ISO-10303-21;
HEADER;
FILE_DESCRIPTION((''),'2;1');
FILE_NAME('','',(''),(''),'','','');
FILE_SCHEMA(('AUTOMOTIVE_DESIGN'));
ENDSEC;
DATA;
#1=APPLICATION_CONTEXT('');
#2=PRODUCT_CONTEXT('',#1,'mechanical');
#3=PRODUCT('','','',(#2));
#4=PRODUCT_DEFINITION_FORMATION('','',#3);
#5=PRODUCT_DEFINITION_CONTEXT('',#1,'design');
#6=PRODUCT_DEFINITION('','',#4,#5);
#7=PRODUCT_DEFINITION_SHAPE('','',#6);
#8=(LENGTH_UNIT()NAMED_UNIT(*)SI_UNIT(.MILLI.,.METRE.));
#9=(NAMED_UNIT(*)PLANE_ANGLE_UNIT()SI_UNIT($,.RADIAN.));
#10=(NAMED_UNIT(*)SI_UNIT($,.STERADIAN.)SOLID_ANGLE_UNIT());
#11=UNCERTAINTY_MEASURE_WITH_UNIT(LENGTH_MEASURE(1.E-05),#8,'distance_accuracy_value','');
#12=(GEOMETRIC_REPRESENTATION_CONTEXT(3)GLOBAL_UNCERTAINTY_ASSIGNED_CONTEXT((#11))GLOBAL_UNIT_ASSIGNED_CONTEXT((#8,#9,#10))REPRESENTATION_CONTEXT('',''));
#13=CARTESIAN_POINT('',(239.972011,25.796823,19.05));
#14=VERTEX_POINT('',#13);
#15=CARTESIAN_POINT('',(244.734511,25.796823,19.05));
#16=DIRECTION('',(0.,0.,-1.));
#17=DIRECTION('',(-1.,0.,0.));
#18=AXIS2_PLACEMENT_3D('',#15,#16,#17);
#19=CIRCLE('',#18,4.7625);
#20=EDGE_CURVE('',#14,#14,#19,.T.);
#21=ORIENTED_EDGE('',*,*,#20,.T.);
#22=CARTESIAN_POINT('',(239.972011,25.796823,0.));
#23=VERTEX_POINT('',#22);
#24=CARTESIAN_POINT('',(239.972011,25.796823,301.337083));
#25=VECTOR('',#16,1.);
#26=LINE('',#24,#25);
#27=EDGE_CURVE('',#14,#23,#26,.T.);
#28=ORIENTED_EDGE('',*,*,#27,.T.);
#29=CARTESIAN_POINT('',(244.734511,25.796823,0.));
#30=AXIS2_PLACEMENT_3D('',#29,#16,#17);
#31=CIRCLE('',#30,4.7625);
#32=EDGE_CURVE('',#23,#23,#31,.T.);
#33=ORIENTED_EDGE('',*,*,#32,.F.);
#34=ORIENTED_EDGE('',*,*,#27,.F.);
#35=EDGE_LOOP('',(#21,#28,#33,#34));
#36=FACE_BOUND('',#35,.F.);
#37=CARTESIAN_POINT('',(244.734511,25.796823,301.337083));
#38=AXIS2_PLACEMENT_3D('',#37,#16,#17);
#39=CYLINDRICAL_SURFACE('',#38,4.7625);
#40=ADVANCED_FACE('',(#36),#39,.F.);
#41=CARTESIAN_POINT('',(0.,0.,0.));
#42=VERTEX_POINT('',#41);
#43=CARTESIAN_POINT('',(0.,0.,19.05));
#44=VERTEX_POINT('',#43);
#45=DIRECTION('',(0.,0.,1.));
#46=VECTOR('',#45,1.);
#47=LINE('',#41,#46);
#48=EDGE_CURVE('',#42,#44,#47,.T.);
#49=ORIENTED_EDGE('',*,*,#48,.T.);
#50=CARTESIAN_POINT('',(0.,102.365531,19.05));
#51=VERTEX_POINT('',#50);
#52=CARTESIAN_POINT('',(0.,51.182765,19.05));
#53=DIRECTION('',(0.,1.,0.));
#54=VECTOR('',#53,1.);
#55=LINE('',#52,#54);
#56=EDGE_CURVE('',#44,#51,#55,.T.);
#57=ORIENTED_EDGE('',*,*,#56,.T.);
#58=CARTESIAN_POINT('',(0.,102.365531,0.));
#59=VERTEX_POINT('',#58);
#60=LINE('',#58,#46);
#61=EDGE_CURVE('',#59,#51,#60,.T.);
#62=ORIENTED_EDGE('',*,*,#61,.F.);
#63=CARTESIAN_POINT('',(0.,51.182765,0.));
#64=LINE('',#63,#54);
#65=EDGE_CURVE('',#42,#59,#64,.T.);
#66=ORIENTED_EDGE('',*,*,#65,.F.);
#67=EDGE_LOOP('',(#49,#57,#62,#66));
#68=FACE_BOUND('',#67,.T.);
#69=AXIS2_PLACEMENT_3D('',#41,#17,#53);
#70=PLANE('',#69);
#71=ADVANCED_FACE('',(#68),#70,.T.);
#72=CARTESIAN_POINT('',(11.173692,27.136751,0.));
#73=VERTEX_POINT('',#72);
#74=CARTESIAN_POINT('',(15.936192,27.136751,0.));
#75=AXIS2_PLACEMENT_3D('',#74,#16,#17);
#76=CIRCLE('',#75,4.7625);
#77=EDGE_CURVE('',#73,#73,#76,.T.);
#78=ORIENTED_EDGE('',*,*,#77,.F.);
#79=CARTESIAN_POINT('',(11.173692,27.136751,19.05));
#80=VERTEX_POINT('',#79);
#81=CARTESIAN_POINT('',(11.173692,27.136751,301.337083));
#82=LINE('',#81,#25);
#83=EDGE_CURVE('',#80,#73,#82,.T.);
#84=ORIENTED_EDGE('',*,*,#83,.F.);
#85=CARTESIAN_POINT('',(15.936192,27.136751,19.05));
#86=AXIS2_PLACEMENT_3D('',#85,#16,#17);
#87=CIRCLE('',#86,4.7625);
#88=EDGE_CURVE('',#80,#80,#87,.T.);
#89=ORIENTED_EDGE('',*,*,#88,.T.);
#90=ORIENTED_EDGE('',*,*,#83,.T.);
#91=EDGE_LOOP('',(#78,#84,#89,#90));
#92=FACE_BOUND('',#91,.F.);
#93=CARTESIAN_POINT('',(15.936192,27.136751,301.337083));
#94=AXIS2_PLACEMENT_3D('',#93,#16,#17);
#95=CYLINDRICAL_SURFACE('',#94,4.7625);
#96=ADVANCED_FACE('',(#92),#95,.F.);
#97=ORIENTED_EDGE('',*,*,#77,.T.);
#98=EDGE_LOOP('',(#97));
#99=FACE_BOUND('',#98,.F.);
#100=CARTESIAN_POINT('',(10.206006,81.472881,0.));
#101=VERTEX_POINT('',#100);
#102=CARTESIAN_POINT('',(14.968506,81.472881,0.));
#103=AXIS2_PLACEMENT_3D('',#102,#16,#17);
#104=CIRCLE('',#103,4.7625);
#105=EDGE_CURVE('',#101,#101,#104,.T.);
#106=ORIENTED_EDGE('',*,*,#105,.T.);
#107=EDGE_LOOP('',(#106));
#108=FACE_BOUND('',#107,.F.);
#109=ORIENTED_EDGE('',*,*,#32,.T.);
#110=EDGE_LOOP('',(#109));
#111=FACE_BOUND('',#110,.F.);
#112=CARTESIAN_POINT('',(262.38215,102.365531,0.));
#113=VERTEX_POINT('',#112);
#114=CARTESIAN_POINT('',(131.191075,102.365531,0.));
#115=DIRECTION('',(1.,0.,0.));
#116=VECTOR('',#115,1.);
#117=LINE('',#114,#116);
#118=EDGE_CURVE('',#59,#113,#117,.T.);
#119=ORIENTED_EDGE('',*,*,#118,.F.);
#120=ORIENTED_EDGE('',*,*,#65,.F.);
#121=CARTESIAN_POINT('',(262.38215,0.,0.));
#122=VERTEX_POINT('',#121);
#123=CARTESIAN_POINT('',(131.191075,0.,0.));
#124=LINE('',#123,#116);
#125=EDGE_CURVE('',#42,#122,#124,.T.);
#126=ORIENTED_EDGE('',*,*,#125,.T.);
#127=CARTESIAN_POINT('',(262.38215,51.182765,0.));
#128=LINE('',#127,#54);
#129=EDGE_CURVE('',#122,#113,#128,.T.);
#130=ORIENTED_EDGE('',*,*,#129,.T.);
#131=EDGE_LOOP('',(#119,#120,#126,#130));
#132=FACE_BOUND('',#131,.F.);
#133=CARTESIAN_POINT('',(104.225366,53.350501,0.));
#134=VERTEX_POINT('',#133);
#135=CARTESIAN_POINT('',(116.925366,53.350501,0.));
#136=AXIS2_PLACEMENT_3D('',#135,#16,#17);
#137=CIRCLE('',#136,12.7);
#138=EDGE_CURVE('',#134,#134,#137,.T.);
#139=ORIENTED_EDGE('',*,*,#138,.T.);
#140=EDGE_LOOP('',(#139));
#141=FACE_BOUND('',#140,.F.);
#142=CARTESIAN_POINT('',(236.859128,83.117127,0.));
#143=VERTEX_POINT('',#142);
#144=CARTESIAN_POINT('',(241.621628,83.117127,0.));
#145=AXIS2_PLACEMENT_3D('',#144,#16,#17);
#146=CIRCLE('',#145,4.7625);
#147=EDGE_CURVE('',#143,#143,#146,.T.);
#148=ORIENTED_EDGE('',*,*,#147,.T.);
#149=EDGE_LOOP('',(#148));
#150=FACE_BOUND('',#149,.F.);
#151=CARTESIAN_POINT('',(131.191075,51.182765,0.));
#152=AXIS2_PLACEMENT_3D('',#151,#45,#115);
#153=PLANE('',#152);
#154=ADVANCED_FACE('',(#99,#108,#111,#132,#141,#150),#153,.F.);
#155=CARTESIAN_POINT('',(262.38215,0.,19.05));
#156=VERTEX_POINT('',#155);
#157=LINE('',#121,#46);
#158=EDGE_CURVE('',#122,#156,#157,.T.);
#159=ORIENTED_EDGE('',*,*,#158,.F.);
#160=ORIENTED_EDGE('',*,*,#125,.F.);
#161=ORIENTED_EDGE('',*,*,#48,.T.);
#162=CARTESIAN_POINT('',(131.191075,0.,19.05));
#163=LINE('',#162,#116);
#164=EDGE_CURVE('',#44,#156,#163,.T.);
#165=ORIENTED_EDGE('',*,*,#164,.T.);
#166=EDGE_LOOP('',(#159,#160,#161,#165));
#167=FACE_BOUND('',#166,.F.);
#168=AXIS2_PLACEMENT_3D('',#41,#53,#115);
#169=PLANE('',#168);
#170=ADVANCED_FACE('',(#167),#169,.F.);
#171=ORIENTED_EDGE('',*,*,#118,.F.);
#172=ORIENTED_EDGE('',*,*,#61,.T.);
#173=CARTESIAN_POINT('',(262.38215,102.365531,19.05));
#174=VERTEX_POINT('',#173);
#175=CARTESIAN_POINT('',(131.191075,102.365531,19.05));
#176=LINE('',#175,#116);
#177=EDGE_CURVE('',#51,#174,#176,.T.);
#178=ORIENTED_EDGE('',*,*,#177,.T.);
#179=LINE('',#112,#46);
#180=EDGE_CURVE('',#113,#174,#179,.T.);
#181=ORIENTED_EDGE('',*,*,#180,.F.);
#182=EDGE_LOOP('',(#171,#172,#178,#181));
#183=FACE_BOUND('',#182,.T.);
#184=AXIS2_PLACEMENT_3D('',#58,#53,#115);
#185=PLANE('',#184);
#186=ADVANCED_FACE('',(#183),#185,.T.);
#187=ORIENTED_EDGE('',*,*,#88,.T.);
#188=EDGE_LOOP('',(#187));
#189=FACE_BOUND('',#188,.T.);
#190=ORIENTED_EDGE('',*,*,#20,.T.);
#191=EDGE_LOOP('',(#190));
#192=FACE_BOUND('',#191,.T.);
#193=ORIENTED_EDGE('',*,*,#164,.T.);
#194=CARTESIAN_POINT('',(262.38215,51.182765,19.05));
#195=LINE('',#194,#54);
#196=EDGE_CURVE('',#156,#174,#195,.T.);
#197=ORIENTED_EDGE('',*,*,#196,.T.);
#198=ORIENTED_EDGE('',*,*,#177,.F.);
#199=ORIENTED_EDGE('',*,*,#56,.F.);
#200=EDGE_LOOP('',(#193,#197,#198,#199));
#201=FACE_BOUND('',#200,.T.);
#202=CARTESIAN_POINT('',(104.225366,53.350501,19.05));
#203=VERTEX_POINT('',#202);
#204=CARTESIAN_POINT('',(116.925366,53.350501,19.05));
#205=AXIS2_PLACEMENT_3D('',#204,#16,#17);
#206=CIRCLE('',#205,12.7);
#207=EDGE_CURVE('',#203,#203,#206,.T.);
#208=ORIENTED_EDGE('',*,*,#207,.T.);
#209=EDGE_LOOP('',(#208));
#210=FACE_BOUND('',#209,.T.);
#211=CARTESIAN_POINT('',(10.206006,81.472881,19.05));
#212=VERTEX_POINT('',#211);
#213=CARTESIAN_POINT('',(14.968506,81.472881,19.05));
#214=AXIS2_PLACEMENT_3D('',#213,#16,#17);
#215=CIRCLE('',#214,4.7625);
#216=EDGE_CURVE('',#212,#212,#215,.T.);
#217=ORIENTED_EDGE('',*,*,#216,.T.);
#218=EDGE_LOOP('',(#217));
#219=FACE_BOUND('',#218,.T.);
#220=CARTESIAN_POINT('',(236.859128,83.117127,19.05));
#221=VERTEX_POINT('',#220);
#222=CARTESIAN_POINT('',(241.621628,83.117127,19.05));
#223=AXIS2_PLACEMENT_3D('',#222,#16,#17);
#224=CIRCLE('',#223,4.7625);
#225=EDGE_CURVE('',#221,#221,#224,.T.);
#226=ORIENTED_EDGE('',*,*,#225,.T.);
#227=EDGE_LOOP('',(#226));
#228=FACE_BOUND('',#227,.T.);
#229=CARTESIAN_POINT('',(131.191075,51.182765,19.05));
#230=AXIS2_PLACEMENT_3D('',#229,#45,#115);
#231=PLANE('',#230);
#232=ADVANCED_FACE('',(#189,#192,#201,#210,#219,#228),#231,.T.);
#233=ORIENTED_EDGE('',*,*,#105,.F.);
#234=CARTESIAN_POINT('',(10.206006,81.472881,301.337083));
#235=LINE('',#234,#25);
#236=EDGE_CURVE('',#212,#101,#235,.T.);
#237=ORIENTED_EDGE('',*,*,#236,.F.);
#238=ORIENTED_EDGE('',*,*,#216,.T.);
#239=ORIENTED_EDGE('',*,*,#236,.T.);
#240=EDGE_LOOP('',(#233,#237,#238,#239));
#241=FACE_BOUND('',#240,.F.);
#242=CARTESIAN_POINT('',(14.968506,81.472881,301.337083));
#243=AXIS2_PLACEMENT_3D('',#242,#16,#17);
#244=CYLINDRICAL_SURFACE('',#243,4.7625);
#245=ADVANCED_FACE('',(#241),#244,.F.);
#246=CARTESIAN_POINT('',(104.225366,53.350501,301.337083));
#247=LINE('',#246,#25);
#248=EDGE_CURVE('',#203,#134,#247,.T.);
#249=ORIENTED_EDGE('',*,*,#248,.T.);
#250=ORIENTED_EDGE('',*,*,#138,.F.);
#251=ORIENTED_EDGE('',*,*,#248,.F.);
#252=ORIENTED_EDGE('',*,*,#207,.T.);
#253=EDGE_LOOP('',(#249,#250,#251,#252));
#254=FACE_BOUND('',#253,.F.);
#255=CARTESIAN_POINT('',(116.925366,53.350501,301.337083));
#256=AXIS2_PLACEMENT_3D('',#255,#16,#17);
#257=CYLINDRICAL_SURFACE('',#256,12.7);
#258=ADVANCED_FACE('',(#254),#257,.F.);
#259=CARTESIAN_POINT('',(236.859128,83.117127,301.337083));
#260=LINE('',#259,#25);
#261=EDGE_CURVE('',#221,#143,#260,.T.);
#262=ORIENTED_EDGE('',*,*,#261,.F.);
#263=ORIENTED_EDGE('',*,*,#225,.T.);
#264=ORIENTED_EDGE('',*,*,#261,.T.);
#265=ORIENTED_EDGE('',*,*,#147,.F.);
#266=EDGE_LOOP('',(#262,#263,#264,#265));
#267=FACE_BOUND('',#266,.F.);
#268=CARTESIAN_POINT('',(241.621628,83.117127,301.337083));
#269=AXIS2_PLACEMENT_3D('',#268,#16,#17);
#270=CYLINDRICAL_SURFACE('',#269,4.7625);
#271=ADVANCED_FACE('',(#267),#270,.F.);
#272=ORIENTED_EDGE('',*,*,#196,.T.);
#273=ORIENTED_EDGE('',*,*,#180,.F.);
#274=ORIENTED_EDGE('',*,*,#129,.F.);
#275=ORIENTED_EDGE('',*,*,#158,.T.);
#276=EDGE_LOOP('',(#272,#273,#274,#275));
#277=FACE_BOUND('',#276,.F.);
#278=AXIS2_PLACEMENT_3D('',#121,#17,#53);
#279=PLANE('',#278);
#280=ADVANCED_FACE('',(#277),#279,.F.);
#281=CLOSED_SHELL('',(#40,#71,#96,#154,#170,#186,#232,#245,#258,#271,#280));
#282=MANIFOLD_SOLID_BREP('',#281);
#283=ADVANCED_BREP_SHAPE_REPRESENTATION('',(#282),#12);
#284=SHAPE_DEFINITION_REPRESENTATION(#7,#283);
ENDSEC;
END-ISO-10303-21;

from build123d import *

# Parameters (mm, degrees)
F0_W     = 262.38215
F0_H     = 102.365531
F1_DEPTH = 19.05
F3_D     = 25.4
F5_D     = 9.525


with BuildPart() as f1:
    # F0 (on Top) → F1 (new body)
    with BuildSketch(Plane.XY):
        with Locations((131.191075, 51.182765)):
            Rectangle(F0_W, F0_H)
    extrude(amount=F1_DEPTH)

    # F3 (through all)
    with Locations(Plane.XY.offset(19.05)):
        with Locations((116.925366, 53.350501)):
            Hole(F3_D / 2)

    # F5 (through all)
    with Locations(Plane.XY.offset(19.05)):
        with Locations((14.968506, 81.472881), (15.936192, 27.136751), (241.621628, 83.117127), (244.734511, 25.796823)):
            Hole(F5_D / 2)


solid = f1.part
